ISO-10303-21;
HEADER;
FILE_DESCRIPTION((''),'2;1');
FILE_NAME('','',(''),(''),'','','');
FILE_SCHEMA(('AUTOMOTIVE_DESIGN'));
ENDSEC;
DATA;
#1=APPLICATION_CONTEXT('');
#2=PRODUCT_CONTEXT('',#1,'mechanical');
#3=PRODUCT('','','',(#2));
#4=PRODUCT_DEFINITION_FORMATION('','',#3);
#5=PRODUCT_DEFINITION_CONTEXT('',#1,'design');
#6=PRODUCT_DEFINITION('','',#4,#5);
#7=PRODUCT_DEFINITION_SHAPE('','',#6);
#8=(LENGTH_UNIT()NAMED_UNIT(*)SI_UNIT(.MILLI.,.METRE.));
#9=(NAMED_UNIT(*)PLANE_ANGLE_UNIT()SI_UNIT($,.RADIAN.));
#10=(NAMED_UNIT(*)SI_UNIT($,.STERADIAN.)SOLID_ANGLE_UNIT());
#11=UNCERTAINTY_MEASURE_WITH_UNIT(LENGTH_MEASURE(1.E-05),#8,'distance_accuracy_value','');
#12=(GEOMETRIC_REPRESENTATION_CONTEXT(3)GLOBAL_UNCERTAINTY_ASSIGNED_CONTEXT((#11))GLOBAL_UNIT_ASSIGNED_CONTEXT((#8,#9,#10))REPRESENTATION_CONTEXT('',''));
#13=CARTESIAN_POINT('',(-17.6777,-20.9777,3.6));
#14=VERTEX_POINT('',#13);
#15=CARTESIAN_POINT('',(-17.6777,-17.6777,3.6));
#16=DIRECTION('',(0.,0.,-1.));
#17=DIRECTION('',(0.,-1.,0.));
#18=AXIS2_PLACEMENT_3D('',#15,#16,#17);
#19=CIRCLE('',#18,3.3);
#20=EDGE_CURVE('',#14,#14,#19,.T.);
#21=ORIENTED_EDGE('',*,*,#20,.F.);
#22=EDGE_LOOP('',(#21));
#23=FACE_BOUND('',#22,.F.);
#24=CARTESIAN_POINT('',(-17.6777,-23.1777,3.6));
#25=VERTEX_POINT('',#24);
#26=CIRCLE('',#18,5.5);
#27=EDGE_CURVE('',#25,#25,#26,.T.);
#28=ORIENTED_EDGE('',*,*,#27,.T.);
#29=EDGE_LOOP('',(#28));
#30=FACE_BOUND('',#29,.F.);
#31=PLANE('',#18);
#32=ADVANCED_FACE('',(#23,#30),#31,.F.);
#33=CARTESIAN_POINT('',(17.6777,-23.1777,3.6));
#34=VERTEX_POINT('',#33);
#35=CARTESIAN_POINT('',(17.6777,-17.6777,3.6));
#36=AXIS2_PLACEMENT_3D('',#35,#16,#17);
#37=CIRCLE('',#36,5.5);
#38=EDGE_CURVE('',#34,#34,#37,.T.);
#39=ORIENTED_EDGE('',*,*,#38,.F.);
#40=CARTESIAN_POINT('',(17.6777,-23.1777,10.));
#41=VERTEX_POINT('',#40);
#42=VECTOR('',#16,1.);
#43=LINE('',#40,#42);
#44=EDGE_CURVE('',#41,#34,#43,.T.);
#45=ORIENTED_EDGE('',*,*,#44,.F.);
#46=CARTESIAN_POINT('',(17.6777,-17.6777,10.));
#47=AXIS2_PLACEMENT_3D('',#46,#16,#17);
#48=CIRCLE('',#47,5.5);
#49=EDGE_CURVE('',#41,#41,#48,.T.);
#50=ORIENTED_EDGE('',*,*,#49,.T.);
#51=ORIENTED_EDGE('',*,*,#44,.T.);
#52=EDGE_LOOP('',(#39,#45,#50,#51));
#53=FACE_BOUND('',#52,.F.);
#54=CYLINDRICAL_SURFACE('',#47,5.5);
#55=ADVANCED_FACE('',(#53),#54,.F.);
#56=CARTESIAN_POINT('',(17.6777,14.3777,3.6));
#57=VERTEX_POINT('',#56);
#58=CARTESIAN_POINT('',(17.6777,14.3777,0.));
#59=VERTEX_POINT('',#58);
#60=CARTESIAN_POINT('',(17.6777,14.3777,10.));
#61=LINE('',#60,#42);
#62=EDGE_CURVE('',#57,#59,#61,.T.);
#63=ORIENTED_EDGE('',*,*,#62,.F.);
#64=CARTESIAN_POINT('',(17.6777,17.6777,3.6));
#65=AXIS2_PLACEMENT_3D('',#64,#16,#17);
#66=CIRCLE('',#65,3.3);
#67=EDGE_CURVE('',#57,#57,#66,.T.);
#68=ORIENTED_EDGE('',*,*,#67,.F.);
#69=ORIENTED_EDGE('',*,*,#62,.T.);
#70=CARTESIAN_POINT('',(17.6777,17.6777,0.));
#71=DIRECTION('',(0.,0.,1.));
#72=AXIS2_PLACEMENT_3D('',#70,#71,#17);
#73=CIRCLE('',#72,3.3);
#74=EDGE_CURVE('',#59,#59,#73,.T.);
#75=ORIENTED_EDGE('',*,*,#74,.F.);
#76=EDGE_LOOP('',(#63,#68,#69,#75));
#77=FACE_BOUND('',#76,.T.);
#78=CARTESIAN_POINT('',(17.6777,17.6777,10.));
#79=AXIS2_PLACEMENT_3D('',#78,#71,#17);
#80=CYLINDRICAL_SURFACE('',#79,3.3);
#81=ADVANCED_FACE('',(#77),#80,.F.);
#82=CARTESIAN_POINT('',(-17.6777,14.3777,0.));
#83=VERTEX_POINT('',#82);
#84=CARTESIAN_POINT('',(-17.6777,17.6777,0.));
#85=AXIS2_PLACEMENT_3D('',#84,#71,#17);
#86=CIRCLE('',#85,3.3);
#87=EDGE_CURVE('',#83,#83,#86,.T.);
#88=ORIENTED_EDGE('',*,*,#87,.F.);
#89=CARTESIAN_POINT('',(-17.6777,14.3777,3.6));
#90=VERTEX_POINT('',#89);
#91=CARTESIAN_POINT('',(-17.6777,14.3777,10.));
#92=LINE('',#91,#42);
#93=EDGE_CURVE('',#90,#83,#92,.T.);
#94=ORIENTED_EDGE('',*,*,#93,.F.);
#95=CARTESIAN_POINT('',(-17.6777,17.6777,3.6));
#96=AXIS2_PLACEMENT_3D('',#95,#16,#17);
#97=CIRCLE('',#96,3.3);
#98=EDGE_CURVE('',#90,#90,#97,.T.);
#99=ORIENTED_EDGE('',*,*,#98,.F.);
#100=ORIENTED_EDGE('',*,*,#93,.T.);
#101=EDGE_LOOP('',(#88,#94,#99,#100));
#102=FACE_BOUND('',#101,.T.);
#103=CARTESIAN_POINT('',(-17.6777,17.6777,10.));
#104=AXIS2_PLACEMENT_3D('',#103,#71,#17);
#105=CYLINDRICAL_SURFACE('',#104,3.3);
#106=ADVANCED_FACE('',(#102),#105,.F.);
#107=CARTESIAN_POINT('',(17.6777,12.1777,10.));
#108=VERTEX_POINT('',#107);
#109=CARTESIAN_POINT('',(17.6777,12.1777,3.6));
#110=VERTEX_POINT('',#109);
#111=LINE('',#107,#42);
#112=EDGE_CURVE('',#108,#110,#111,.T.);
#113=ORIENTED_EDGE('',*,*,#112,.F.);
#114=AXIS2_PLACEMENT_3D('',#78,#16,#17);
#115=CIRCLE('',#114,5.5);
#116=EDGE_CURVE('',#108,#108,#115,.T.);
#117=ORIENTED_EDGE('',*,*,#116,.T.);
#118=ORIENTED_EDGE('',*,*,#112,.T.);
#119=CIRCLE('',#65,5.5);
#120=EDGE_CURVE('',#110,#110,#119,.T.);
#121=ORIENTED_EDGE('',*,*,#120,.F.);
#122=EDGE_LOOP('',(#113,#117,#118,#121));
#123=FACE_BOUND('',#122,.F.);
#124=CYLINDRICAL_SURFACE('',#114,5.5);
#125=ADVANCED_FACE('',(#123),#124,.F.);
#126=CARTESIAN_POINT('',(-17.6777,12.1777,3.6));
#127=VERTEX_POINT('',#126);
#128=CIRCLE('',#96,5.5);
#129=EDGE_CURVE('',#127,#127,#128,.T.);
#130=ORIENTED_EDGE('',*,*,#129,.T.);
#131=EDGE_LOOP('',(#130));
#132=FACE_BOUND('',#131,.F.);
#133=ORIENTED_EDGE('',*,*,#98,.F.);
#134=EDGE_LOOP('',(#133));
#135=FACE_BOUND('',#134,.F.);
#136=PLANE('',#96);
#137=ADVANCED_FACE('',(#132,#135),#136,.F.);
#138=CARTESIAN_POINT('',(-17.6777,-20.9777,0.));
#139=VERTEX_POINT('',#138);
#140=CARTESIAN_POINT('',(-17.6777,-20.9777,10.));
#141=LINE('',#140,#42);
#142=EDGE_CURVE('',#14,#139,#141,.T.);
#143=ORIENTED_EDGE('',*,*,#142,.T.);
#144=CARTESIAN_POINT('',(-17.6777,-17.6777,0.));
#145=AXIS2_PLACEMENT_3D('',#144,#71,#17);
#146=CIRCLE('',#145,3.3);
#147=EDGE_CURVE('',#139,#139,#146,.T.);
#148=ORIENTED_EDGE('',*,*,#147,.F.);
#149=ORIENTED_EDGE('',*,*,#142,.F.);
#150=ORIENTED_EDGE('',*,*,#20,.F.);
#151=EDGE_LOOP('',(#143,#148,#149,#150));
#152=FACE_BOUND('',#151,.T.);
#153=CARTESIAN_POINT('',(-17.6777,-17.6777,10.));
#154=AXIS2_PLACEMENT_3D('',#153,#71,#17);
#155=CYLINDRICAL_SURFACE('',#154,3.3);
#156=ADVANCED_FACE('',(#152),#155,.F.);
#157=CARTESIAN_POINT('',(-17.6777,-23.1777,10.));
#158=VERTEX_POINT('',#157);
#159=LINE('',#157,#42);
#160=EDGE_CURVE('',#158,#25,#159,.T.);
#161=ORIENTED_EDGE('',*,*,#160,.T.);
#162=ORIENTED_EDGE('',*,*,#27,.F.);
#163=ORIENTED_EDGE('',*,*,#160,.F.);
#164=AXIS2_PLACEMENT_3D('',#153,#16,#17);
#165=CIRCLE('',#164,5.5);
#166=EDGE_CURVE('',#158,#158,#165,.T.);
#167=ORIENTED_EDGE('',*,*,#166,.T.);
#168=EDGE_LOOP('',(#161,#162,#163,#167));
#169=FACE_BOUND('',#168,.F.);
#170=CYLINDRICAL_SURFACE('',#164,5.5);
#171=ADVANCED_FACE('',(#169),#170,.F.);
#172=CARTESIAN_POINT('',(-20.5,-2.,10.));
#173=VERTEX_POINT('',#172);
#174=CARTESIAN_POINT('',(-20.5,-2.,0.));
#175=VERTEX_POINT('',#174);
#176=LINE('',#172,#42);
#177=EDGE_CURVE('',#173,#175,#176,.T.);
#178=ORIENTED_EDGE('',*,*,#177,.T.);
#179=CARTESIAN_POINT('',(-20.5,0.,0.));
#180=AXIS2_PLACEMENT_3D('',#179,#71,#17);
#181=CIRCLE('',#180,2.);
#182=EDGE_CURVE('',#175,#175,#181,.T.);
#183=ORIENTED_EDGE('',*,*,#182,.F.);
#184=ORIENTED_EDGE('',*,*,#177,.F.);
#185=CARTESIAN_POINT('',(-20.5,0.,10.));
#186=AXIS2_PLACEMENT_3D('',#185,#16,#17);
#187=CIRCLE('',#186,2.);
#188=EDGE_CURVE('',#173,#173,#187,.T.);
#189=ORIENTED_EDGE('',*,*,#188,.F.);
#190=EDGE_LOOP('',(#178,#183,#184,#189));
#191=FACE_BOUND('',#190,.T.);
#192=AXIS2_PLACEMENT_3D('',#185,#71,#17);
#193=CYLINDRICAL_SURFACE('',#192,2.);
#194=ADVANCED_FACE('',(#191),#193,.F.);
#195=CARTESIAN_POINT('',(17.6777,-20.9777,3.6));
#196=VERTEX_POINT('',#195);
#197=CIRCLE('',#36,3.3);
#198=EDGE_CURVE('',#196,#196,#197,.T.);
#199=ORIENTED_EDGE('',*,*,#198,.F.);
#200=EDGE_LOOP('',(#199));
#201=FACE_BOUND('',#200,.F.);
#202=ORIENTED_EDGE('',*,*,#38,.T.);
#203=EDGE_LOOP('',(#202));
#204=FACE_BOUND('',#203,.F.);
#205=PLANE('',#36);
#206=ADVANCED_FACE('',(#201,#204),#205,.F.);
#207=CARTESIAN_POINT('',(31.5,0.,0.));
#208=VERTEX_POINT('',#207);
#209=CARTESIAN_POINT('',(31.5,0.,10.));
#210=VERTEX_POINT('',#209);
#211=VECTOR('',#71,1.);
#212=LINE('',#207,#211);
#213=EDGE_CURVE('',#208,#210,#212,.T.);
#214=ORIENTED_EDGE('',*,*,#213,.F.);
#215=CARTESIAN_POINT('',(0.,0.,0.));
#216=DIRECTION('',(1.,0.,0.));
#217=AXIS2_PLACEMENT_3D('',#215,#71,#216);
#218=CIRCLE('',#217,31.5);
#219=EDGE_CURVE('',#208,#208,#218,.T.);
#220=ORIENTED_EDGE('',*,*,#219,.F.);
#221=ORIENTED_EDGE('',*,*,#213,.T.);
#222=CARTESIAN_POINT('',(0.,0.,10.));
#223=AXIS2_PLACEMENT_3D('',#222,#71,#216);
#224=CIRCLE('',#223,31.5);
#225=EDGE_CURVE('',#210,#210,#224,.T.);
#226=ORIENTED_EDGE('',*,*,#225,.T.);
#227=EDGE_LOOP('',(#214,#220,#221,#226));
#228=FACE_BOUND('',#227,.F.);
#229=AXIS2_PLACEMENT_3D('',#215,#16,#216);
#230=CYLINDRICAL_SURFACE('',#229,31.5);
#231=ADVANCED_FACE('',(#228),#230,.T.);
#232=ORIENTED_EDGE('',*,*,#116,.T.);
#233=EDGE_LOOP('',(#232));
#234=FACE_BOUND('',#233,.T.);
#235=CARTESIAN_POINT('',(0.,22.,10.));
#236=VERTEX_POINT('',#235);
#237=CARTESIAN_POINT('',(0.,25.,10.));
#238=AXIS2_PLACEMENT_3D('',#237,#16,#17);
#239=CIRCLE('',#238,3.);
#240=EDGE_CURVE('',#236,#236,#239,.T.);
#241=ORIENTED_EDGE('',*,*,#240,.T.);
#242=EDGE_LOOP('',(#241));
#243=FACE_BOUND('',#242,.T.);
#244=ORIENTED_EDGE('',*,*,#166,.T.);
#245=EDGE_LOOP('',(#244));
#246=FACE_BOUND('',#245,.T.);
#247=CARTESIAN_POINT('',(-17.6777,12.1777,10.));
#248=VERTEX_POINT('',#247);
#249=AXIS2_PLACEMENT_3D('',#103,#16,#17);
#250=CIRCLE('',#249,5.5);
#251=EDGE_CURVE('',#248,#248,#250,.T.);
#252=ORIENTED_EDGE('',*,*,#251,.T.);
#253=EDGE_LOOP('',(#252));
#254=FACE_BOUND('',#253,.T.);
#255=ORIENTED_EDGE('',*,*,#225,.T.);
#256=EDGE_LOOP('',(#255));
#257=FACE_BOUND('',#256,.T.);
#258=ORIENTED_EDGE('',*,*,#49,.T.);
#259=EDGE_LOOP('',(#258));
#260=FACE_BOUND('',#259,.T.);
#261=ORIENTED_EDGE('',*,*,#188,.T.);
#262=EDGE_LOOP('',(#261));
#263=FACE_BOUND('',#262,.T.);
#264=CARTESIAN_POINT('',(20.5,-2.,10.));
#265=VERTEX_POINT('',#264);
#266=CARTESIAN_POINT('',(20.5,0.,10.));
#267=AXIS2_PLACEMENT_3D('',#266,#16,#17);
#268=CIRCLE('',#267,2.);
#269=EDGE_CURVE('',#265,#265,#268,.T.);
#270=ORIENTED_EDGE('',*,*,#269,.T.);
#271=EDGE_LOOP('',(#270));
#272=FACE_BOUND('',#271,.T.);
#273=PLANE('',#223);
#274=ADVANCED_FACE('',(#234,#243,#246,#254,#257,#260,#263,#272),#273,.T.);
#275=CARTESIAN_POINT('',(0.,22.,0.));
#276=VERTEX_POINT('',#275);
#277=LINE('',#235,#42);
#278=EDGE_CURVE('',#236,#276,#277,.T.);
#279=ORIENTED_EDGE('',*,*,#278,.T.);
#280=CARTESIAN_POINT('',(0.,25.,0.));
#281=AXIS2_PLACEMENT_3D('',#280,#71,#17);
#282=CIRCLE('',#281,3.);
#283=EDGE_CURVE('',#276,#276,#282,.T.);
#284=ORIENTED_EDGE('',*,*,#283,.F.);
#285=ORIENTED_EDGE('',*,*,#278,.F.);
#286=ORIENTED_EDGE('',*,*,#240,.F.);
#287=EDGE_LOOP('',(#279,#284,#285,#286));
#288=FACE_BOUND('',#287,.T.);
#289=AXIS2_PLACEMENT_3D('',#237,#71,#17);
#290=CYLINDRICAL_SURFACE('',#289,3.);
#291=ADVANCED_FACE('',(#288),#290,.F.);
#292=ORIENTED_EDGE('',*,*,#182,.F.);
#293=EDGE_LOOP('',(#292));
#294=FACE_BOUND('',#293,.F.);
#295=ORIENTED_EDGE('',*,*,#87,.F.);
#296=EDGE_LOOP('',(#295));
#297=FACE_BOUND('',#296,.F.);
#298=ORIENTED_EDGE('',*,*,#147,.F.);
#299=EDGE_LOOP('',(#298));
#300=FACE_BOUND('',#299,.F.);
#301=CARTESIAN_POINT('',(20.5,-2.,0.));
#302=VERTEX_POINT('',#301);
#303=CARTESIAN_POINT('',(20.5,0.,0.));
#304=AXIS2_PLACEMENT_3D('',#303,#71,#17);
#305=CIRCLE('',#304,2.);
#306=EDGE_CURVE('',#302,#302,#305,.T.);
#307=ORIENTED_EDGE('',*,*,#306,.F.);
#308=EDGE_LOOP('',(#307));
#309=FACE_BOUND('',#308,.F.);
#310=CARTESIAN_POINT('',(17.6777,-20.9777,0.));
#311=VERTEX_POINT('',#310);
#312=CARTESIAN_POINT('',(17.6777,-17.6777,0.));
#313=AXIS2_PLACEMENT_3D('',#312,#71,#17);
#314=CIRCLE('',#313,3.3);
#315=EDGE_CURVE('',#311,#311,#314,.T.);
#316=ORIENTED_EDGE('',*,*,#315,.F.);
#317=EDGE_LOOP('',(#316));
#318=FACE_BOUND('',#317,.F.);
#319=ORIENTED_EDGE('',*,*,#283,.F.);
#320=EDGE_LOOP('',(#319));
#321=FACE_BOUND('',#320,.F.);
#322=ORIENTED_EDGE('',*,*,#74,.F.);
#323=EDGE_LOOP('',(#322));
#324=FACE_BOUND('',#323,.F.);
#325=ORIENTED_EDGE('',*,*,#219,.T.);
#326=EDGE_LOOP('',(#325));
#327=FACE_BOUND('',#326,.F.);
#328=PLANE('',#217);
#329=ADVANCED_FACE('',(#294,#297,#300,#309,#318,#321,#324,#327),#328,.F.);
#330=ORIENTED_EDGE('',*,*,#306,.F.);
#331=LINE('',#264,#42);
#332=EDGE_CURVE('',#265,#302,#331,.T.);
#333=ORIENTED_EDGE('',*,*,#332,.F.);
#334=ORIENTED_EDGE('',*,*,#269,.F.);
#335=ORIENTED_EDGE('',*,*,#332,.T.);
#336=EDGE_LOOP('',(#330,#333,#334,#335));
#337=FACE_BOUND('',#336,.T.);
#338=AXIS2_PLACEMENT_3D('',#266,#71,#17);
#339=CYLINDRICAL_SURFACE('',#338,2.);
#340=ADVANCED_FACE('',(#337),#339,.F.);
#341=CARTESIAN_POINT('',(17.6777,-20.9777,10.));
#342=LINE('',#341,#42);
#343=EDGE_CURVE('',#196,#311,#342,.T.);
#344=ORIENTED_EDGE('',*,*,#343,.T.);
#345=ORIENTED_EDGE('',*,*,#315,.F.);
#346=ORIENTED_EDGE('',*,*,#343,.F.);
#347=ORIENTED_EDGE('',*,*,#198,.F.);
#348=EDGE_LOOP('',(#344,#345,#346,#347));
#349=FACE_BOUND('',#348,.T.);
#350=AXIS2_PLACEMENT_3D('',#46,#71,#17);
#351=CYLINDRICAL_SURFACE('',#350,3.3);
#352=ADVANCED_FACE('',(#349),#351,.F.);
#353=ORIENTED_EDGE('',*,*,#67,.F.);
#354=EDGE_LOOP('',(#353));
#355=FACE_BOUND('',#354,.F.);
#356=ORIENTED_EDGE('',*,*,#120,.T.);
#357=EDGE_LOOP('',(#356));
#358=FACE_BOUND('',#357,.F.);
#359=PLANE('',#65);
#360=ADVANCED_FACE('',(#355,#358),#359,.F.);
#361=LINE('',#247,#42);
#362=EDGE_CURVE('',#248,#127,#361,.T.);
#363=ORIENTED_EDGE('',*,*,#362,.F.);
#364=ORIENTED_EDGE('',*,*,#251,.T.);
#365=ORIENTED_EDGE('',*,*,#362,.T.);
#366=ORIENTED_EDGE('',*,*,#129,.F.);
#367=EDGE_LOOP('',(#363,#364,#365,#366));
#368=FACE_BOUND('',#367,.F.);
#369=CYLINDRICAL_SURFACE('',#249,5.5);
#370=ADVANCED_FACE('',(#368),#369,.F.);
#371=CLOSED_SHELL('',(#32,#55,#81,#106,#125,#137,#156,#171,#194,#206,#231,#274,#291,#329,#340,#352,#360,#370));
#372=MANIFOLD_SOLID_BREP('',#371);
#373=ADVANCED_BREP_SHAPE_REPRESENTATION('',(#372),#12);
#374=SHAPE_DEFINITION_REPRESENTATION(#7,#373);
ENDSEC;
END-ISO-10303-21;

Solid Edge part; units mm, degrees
sketch "Sketch1" plane through (0, 0, 0) normal (0, 0, 1) x (1, 0, 0)
  circle A0 centre (0, 0) radius 31.5
extrude "Protrusion1" add sketch "Sketch1" along normal blind 10
hole "Hole_1" at (-17.6777, 17.6777, 10) direction (0, 0, -1) diameter 6.6 end up to next counterbore diameter 11 counterbore depth 6.4
hole "Hole1" at (17.6777, 17.6777, 10) direction (0, 0, -1) diameter 6.6 end up to next counterbore diameter 11 counterbore depth 6.4
hole "Hole2" at (-17.6777, -17.6777, 10) direction (0, 0, -1) diameter 6.6 end up to next counterbore diameter 11 counterbore depth 6.4
hole "Hole3" at (17.6777, -17.6777, 10) direction (0, 0, -1) diameter 6.6 end up to next counterbore diameter 11 counterbore depth 6.4
hole "Hole4" at (0, 25, 10) direction (0, 0, -1) diameter 6 end up to next
hole "Hole_6" at (-20.5, 0, 10) direction (0, 0, -1) diameter 4 end up to next thread major 4 thread length 2
hole "Hole5" at (20.5, 0, 10) direction (0, 0, -1) diameter 4 end up to next thread major 4 thread length 2
